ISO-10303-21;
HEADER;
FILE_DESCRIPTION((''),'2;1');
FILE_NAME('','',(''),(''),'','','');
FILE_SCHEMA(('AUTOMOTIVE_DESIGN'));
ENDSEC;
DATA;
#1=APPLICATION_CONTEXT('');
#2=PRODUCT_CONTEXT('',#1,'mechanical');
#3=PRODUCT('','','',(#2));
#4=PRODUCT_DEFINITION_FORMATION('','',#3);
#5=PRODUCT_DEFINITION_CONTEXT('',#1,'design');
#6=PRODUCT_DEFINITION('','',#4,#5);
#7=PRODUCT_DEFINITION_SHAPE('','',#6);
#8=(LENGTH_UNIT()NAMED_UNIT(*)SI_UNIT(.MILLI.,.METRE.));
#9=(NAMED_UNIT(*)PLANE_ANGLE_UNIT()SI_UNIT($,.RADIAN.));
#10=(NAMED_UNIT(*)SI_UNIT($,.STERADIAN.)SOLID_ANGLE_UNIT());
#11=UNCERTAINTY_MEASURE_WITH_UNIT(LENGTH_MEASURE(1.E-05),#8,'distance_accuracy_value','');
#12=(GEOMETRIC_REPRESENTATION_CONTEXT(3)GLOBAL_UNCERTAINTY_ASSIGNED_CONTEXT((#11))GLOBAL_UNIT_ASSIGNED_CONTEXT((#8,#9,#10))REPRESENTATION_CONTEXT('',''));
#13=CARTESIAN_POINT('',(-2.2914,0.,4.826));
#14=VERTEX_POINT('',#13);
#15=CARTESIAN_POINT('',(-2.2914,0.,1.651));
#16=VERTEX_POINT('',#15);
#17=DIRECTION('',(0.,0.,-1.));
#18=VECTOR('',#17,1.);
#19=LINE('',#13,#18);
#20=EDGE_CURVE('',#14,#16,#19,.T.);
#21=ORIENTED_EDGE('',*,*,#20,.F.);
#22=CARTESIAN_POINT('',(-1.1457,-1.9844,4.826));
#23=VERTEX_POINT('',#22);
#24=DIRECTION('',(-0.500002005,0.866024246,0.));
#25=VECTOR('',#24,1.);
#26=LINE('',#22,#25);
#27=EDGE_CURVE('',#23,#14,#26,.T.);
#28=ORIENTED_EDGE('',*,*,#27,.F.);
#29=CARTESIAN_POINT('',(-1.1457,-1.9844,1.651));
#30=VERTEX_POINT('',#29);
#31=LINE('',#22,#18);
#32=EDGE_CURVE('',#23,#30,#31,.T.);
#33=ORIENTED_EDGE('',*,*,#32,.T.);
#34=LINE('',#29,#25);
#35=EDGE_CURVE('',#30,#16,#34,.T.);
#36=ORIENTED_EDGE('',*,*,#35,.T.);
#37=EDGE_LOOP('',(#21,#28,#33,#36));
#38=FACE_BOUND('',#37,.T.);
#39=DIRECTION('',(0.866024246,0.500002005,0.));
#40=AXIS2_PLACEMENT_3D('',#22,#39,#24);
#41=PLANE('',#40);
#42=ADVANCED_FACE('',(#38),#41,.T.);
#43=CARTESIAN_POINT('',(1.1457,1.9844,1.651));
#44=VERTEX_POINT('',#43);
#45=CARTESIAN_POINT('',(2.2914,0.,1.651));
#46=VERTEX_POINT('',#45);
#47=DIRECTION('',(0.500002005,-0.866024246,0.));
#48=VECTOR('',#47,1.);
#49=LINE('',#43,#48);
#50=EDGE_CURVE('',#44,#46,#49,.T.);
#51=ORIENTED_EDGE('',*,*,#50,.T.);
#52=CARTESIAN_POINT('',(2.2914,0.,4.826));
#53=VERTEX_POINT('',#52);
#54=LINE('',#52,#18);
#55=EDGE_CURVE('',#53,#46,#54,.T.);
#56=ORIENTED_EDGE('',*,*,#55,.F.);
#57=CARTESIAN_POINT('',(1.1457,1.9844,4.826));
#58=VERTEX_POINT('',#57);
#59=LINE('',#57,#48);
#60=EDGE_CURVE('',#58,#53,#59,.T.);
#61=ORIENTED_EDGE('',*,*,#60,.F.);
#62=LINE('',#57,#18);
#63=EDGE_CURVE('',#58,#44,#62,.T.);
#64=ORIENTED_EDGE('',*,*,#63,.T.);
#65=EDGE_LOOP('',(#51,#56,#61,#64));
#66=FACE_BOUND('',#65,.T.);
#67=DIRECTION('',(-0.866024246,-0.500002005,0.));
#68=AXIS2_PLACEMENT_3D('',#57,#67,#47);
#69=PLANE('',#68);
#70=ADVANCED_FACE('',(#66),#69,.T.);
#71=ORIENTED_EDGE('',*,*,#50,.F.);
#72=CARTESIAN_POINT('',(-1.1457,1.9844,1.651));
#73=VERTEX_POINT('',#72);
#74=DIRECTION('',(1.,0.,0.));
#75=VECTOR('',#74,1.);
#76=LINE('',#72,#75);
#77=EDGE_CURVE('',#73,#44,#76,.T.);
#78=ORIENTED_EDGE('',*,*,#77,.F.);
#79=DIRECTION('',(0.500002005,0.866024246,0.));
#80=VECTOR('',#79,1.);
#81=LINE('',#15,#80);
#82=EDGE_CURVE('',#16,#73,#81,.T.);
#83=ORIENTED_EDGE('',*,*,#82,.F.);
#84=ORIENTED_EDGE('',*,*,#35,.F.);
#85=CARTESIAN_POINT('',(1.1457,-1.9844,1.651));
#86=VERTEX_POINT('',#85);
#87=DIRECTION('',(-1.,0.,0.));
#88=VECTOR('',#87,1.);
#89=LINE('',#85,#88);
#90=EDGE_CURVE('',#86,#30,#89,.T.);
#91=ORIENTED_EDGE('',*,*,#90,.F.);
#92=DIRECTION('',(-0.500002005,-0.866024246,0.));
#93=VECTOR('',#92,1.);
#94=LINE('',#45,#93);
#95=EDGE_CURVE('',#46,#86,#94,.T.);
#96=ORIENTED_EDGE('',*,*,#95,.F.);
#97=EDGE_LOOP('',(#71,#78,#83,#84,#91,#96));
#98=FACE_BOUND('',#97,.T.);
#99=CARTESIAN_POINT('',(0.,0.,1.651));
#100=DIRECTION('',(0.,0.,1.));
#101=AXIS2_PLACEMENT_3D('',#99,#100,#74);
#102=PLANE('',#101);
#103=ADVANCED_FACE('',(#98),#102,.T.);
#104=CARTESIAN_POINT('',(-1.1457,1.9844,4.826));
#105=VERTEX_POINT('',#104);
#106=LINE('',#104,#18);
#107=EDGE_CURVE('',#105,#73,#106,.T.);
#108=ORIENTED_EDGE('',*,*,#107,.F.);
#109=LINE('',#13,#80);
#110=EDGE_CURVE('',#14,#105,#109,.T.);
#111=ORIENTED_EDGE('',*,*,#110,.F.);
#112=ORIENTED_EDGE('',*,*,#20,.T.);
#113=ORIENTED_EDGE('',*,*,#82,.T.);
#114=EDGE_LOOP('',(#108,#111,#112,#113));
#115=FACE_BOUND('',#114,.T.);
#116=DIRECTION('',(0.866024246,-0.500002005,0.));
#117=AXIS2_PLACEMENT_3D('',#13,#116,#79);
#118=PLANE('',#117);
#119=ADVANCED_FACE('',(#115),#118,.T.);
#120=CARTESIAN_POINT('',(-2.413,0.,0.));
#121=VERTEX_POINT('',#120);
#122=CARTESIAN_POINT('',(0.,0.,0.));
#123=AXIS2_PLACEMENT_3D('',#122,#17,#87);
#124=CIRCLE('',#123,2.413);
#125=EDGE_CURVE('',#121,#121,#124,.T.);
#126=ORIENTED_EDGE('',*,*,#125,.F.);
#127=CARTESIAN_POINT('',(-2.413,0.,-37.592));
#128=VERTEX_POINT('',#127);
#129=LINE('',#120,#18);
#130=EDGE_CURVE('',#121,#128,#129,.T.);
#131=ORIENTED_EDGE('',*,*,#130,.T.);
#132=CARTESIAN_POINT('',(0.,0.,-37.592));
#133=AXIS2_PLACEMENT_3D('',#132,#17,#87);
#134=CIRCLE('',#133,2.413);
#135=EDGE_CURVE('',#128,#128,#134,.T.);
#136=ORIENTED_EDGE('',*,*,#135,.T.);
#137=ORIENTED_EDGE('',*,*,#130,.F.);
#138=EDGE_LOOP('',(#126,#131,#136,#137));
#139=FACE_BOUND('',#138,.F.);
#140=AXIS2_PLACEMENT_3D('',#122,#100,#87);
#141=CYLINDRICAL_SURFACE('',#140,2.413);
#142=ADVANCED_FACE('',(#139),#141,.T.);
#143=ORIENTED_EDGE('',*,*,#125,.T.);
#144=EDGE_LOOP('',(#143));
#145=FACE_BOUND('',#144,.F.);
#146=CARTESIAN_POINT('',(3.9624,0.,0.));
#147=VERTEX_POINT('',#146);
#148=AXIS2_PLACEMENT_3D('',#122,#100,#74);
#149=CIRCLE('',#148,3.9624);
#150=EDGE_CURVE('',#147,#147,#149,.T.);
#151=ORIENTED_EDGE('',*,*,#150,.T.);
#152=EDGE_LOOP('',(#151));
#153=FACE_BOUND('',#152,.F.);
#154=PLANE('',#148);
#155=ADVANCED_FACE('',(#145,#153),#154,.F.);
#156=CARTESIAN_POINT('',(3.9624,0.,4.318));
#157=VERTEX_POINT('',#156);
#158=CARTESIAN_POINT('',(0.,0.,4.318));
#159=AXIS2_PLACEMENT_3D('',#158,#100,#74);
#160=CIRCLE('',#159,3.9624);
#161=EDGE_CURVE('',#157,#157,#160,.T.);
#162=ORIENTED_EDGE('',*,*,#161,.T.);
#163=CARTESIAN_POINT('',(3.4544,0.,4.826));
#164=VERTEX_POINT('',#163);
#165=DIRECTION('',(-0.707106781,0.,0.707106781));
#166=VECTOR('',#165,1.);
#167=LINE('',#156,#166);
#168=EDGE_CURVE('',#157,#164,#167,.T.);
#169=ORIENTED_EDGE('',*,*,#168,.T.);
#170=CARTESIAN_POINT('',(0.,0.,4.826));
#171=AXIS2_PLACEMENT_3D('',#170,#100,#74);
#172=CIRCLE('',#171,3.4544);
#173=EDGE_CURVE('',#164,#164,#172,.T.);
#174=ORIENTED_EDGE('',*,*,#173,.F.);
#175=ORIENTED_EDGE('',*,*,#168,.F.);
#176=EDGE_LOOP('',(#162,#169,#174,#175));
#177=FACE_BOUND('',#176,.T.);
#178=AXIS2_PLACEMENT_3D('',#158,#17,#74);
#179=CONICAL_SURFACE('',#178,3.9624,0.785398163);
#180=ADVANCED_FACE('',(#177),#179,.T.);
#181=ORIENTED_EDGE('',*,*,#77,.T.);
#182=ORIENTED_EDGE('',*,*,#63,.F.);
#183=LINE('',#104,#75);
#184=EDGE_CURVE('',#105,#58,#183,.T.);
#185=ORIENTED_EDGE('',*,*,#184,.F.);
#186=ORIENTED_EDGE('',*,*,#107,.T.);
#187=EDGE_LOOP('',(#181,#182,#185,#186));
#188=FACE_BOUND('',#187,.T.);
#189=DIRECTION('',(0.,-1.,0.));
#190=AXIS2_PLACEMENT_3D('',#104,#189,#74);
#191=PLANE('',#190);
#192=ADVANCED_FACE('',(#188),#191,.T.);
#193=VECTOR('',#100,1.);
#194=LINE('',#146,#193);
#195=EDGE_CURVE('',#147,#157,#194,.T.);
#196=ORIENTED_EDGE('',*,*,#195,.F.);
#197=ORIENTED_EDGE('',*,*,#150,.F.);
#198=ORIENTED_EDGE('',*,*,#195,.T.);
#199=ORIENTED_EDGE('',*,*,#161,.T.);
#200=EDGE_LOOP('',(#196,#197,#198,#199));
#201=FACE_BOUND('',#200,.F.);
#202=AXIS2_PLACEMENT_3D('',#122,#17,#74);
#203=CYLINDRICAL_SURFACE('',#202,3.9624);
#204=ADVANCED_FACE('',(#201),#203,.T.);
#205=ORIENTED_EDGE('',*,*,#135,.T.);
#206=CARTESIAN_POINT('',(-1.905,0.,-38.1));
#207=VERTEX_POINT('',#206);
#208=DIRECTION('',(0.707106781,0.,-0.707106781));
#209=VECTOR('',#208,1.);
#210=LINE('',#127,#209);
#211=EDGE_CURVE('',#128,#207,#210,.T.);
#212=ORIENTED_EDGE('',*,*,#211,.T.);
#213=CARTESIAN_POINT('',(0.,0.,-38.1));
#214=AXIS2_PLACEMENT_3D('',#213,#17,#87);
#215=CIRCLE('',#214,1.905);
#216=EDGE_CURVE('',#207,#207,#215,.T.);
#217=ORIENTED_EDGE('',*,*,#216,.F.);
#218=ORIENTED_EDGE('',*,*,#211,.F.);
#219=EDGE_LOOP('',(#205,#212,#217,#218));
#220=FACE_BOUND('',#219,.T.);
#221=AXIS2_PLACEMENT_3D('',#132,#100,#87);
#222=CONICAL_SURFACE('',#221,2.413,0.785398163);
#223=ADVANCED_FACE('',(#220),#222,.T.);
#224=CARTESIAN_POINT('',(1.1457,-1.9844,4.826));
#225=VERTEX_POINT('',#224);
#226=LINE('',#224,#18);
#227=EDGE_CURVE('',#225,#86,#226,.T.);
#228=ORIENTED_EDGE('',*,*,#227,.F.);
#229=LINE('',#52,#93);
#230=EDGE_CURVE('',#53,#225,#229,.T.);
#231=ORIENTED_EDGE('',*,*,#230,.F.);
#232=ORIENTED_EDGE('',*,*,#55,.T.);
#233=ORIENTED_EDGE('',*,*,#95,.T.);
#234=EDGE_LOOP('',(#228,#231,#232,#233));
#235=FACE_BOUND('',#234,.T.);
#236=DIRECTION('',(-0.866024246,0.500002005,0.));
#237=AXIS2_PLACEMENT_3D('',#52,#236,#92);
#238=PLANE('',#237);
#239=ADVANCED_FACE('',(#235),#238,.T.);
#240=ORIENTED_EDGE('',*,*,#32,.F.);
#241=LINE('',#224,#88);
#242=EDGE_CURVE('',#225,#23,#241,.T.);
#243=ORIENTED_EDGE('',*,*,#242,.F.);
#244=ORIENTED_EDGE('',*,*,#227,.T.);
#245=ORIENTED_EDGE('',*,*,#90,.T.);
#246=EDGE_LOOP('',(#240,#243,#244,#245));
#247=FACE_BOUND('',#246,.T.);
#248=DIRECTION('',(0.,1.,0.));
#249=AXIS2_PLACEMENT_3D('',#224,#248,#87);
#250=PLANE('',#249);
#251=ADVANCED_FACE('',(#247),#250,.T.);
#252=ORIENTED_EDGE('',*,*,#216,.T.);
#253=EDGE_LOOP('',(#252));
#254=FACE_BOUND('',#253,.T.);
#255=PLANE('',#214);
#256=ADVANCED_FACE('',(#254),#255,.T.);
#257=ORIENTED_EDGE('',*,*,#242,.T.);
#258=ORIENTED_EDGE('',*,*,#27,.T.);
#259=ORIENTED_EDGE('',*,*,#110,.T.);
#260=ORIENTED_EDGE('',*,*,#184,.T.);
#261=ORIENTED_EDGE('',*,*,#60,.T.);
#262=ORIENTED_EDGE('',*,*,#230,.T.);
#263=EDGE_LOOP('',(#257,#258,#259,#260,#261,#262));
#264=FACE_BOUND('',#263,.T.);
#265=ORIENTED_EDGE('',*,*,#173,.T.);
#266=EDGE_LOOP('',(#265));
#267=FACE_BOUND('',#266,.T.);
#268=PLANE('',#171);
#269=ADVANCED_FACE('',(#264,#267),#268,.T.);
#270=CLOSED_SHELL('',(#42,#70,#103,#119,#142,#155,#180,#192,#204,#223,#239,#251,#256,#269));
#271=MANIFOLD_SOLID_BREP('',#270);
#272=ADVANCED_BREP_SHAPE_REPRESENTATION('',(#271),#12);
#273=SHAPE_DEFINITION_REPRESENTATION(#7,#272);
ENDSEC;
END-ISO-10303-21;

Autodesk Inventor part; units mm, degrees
ref_plane "YZ Plane" through (0, 0, 0) normal (1, 0, 0) x (0, 1, 0)
ref_plane "XZ Plane" through (0, 0, 0) normal (0, 1, 0) x (-1, 0, 0)
ref_plane "XY Plane" through (0, 0, 0) normal (0, 0, 1) x (1, 0, 0)
sketch "Sketch1" plane through (0, 0, 0) normal (0, 0, 1) x (1, 0, 0)
  circle A0 centre (0, 0) radius 3.9624
  dimension "d0" = 7.9248
extrude "Extrusion1" add sketch "Sketch1" along normal blind 4.826
sketch "Sketch2" plane through (0, 0, 0) normal (0, 0, -1) x (-1, 0, 0)
  circle A0 centre (0, 0) radius 3.9624 projected
  circle A1 centre (0, 0) radius 2.413
  dimension "d3" = 4.826
extrude "Extrusion2" add sketch "Sketch2" along normal blind 38.1 contours A1
sketch "Sketch3" plane through (0, 0, 4.826) normal (0, 0, 1) x (1, 0, 0)
  circle A0 centre (0, 0) radius 3.9624 projected
  line L0 (-1.1457, 1.9844) -> (1.1457, 1.9844)
  line L1 (1.1457, 1.9844) -> (2.2914, 0)
  line L2 (2.2914, 0) -> (1.1457, -1.9844)
  line L3 (1.1457, -1.9844) -> (-1.1457, -1.9844)
  line L4 (-1.1457, -1.9844) -> (-2.2914, 0)
  line L5 (-2.2914, 0) -> (-1.1457, 1.9844)
  dimension "d6" = 3.9688
extrude "Extrusion3" cut sketch "Sketch3" against normal blind 3.175 contours L0 L1 L2 L3 L4 L5
thread "Thread1" size "10-32 UNF" class "2A" standard "ANSI Unified Screw Threads" length 25.4
chamfer "Chamfer1" distance 0.508 angle 45 1 edges at (2.413, 0, -38.1)
chamfer "Chamfer2" distance 0.508 angle 45 1 edges at (-3.9624, 0, 4.826)
properties part number "10-32 x1000" material "Steel"
